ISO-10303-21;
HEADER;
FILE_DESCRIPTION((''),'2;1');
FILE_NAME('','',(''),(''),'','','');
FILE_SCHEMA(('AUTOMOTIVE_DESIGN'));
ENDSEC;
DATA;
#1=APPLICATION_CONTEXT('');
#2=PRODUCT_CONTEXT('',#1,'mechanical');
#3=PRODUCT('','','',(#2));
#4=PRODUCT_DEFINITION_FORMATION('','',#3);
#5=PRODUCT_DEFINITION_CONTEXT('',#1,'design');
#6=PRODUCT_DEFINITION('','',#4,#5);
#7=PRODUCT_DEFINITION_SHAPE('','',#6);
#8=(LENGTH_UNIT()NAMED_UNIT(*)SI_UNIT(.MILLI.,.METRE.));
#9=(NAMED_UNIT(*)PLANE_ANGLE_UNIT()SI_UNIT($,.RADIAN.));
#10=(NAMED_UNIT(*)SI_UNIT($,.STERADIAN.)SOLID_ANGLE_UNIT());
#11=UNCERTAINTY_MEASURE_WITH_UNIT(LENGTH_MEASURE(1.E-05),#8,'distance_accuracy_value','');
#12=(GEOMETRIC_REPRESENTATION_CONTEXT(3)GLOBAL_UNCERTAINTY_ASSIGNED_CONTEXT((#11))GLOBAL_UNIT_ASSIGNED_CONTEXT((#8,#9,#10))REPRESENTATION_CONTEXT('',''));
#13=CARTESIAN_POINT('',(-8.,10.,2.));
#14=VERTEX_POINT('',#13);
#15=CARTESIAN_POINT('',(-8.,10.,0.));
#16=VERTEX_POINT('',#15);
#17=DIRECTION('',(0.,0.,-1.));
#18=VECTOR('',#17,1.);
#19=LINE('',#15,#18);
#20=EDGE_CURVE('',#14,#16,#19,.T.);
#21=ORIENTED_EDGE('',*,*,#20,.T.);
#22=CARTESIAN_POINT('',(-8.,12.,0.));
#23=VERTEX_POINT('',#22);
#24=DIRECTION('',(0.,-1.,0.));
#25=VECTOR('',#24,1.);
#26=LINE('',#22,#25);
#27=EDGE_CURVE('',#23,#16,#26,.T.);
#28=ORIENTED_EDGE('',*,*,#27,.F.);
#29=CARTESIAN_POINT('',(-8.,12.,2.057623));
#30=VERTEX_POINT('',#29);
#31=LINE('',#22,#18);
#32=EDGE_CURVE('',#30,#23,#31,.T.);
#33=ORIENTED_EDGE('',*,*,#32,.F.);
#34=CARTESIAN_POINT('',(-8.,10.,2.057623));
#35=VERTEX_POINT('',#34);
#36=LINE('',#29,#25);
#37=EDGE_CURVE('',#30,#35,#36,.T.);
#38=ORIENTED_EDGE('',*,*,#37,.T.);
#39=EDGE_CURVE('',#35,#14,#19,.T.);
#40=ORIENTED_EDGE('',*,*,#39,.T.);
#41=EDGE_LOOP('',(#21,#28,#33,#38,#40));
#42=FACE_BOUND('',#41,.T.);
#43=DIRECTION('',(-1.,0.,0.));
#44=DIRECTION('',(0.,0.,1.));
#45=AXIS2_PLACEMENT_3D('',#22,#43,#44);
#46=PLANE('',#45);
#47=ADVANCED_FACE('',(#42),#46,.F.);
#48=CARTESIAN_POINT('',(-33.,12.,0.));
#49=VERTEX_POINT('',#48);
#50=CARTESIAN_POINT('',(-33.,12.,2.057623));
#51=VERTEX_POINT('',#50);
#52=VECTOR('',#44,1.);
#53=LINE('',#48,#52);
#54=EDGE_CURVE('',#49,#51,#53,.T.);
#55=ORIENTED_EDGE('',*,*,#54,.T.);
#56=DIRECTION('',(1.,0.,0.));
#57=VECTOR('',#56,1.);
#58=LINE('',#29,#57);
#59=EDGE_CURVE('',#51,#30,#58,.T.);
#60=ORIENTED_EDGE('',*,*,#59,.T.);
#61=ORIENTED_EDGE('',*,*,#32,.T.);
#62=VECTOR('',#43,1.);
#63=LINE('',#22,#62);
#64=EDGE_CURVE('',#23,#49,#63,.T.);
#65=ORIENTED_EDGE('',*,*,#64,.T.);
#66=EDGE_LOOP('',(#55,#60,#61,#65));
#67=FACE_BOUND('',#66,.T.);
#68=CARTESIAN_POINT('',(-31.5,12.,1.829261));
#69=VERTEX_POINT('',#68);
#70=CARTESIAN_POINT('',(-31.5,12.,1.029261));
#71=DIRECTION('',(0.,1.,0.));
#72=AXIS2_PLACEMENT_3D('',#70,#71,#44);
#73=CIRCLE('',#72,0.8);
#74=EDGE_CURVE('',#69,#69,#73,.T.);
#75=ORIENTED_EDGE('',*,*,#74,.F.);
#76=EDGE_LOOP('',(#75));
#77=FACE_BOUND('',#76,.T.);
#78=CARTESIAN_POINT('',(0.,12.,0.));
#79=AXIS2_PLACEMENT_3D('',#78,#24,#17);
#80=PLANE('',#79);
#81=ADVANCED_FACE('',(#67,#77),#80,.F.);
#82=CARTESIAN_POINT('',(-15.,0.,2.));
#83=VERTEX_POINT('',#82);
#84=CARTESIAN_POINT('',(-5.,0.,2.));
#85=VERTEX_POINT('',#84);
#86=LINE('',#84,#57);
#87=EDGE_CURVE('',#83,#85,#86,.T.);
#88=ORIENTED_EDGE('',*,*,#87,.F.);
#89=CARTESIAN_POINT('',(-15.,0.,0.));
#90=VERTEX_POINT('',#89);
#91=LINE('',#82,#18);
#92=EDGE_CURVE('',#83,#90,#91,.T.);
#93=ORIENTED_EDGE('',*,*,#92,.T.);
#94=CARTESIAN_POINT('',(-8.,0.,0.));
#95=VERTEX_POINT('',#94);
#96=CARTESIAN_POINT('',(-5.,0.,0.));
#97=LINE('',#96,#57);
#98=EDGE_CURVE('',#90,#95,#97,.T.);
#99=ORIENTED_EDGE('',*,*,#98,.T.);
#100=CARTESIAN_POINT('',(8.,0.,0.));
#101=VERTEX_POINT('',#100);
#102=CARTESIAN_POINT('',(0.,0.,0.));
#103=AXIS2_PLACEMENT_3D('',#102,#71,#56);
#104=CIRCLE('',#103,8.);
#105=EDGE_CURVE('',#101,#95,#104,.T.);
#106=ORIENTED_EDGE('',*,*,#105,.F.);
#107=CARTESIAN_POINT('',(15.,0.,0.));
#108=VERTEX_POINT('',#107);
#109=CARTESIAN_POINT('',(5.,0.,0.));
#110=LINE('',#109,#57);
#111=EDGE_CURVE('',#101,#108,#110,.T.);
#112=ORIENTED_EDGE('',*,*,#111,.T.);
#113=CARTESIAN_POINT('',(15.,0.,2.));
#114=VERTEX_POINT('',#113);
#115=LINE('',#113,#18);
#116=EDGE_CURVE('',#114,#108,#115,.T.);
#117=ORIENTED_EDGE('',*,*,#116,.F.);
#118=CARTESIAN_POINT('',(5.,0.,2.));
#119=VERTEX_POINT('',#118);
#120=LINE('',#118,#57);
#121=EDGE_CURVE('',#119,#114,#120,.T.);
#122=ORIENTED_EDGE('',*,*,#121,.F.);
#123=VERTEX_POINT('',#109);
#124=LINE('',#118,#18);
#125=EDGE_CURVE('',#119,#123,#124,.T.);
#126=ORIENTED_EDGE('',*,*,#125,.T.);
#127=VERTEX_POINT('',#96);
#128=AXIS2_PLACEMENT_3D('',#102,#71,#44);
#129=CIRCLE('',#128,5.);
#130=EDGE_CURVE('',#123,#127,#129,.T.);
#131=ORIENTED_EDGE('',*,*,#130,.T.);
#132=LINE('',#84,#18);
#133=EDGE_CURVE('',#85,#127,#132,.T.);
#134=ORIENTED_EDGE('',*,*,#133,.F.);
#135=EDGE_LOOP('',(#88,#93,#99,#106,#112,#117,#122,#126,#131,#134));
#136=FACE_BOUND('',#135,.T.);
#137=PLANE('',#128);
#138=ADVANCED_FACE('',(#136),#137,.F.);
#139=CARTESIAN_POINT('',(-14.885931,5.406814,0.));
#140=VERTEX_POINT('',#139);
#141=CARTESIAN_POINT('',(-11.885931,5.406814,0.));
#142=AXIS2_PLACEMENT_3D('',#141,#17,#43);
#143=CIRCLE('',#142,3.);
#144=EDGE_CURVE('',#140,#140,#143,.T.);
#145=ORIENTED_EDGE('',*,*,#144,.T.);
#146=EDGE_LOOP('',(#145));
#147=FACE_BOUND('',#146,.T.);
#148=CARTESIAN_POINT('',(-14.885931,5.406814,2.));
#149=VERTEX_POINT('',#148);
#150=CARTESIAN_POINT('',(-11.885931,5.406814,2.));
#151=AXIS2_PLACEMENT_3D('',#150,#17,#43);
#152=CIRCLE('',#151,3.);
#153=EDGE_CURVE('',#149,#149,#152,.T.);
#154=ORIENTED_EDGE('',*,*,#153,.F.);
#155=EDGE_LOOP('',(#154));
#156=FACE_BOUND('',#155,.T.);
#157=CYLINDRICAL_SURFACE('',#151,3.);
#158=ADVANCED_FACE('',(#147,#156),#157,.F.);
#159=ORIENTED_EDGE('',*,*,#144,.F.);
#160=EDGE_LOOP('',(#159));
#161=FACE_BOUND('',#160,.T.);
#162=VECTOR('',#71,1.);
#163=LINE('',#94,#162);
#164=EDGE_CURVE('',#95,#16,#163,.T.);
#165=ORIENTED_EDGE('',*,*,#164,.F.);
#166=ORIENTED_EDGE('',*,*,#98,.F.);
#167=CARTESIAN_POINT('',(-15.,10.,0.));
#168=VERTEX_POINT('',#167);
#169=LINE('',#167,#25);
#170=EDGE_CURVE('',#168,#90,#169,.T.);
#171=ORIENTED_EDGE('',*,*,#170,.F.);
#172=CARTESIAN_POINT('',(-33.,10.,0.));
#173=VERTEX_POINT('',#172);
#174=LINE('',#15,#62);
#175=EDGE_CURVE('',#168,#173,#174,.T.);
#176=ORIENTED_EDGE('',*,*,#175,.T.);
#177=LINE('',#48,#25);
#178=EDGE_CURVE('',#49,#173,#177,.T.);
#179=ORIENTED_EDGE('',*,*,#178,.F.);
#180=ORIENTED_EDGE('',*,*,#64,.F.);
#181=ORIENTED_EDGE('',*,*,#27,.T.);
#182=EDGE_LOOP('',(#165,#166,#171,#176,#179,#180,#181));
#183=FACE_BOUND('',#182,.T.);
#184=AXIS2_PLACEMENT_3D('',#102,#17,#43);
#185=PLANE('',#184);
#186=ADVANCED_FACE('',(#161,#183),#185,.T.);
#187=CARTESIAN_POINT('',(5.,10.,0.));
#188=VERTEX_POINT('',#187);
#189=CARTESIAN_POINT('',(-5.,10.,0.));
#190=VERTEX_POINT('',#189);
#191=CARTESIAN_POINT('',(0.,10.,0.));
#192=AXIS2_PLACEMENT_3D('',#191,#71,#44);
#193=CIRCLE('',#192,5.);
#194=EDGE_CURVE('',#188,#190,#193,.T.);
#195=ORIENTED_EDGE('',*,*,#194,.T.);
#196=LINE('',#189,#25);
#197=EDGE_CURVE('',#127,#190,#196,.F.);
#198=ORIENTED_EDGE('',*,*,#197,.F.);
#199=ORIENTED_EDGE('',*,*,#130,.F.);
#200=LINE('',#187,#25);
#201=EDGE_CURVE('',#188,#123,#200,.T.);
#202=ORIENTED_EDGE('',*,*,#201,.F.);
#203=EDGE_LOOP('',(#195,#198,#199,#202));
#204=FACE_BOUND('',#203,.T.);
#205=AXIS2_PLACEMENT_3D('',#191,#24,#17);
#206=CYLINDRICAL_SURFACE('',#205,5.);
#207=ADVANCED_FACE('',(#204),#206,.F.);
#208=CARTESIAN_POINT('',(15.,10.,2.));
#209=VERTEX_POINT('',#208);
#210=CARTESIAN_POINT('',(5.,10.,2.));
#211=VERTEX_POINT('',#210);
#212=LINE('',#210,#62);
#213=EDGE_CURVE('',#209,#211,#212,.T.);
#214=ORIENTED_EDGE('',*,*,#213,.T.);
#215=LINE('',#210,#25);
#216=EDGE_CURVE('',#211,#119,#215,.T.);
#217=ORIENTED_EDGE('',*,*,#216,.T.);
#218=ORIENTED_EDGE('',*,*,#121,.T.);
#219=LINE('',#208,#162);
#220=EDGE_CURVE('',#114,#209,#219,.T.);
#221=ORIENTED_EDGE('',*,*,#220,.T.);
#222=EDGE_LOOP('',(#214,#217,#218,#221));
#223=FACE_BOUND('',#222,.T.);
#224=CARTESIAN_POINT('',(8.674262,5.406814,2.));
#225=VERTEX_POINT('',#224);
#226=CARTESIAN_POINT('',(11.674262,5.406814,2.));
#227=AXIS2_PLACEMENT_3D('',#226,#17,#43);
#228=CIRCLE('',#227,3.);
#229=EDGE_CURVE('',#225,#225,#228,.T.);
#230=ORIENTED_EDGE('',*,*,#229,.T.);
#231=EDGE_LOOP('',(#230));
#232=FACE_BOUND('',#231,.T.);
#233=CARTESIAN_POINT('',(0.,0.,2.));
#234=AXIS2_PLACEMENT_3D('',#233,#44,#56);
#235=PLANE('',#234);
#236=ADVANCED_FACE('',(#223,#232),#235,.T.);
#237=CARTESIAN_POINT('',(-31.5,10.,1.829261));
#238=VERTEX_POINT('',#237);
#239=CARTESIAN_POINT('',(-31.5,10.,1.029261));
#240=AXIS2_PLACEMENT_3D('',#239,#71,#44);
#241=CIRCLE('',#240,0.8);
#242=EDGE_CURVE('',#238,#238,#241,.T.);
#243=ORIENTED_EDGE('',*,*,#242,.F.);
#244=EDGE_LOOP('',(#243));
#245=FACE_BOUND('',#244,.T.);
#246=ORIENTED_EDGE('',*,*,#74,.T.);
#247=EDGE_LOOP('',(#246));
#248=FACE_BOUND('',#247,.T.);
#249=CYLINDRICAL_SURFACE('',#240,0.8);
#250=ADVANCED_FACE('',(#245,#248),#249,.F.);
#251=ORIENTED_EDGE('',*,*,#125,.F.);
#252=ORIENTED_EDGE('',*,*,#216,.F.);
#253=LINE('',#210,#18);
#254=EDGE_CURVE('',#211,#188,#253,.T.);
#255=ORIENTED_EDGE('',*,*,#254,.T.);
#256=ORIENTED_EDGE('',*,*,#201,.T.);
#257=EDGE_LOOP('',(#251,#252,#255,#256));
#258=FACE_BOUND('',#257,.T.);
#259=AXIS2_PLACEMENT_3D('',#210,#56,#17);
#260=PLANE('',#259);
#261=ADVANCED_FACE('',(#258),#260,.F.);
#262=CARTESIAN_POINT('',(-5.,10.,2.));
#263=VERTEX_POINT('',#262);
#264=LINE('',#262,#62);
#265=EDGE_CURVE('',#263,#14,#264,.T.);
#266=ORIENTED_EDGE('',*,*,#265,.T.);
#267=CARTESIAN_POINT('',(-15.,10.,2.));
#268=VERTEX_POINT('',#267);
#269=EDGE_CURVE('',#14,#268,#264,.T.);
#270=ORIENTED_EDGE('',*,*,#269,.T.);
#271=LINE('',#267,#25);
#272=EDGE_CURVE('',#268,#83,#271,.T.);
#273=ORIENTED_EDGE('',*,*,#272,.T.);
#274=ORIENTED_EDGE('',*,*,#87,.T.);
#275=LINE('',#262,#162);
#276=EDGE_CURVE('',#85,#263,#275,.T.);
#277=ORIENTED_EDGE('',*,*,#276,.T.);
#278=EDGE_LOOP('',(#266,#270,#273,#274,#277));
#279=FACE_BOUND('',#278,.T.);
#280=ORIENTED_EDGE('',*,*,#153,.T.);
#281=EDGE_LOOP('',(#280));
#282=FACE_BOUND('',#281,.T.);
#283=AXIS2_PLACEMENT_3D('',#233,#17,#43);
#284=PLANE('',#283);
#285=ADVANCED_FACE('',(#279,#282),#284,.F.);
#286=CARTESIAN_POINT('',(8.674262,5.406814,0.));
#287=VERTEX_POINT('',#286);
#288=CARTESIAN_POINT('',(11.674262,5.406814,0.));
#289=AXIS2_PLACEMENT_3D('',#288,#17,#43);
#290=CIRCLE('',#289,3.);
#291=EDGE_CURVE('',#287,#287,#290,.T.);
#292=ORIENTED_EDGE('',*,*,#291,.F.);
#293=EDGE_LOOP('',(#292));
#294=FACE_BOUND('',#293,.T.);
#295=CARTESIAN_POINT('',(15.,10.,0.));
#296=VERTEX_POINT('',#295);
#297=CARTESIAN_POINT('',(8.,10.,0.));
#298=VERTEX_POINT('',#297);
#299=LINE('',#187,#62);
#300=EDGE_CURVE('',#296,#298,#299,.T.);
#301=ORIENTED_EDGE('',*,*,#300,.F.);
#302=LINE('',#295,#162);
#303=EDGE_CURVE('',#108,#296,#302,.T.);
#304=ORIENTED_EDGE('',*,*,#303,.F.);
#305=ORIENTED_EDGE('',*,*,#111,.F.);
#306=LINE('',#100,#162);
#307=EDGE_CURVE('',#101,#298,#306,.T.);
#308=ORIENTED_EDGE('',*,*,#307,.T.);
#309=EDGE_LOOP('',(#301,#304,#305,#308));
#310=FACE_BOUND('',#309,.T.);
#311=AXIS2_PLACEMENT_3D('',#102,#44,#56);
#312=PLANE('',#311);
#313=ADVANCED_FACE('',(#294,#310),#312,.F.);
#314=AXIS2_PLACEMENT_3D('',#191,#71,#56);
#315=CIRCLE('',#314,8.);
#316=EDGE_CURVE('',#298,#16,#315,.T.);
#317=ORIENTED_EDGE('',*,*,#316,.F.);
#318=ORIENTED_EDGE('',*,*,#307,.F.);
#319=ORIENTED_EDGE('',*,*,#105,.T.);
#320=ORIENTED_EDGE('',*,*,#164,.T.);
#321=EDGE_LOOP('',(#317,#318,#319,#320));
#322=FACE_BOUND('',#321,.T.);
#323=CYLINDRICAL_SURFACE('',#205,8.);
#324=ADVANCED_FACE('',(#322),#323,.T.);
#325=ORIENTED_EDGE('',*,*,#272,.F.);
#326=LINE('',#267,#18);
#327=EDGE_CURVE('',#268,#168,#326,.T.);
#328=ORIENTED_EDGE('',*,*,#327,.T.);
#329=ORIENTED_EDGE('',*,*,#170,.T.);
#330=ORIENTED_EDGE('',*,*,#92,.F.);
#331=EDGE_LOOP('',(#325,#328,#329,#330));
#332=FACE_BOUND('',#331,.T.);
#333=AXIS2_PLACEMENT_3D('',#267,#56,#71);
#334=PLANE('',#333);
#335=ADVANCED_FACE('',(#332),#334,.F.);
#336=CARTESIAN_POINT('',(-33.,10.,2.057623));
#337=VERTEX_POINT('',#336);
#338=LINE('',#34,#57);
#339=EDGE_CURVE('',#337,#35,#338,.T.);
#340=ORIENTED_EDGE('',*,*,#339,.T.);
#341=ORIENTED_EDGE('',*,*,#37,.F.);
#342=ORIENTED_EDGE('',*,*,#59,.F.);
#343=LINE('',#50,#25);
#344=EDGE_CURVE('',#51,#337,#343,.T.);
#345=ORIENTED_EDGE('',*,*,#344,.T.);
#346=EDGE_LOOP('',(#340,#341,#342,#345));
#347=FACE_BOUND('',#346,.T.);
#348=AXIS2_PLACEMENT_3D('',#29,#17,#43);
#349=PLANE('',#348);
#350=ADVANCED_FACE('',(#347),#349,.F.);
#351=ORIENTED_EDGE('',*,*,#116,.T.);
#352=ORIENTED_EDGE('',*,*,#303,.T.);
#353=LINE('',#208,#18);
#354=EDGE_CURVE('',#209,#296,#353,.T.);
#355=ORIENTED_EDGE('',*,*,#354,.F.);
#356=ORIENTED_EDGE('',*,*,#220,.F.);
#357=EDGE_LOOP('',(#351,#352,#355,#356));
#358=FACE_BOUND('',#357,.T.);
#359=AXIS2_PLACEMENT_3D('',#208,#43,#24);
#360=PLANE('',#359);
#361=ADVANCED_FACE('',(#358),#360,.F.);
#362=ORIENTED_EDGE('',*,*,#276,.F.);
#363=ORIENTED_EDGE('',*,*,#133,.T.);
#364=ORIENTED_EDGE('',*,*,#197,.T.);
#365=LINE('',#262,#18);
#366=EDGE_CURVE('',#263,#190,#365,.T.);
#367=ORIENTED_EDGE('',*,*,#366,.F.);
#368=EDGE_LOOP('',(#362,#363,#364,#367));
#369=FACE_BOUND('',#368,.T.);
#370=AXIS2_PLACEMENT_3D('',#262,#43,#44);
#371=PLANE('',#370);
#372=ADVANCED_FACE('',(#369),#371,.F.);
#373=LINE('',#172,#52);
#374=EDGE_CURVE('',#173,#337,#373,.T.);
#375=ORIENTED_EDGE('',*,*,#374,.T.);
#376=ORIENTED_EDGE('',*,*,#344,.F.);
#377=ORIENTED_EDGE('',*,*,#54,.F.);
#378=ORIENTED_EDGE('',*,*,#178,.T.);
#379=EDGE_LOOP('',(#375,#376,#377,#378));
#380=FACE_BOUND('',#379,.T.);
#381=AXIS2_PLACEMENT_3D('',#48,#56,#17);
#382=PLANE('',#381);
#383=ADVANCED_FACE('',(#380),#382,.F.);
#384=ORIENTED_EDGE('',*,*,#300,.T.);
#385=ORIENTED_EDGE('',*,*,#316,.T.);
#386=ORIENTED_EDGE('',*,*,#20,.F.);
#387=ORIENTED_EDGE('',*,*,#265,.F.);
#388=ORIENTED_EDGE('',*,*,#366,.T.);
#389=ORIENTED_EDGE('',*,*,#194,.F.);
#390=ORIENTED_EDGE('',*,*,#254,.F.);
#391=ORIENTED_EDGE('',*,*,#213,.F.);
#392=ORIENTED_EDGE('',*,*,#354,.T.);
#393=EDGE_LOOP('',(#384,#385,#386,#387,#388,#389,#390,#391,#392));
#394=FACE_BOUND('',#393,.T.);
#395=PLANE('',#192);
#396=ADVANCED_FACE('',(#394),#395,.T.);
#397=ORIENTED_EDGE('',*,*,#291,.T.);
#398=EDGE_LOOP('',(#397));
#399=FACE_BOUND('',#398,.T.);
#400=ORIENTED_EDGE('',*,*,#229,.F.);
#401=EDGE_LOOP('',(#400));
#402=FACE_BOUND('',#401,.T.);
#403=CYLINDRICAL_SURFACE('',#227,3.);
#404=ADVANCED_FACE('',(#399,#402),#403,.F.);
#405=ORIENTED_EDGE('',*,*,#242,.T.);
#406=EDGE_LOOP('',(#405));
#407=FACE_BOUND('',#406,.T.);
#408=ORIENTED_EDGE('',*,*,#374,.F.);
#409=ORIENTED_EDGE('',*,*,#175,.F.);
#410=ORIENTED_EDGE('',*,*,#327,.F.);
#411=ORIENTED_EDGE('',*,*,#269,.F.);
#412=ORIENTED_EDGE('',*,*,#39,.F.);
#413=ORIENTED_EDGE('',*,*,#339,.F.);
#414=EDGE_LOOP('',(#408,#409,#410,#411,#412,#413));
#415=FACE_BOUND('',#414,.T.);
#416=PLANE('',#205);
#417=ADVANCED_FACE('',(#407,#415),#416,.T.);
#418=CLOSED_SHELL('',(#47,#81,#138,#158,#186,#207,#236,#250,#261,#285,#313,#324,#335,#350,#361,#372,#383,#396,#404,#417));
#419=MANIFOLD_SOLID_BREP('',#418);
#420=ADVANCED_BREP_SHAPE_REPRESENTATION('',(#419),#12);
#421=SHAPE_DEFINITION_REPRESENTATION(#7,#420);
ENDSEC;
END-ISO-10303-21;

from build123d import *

# Parameters (mm, degrees)
SKETCH2_R           = 8
SKETCH2_R_2         = 5
EXTRUDE_THIN1_DEPTH = 10
CUT_EXTRUDE1_DEPTH  = 10
SKETCH4_W           = 10
SKETCH4_H           = 10
BOSS_EXTRUDE1_DEPTH = 2
SKETCH5_R           = 3
CUT_EXTRUDE2_DEPTH  = 2
SKETCH6_W           = 25
SKETCH6_H           = 2.057623051
BOSS_EXTRUDE2_DEPTH = 2
SKETCH7_R           = 0.8
CUT_EXTRUDE3_DEPTH  = 2


with BuildPart() as part:
    # Sketch2 → Extrude-Thin1 (new body)
    with BuildSketch(Plane(origin=(0, 0, 0), x_dir=(1, 0, 0), z_dir=(0, 1, 0))):
        Circle(SKETCH2_R)
        Circle(SKETCH2_R_2, mode=Mode.SUBTRACT)
    extrude(amount=EXTRUDE_THIN1_DEPTH)

    # Sketch3 → Cut-Extrude1 (cut)
    with BuildSketch(Plane(origin=(0, 10, 0), x_dir=(1, 0, 0), z_dir=(0, 1, 0))):
        with BuildLine():
            Line((-8, 0), (8, 0))
            ThreePointArc((8, 0), (0, -8), (-8, 0))
        make_face()
    extrude(amount=-CUT_EXTRUDE1_DEPTH, mode=Mode.SUBTRACT)

    # Sketch4 → Boss-Extrude1 (add)
    with BuildSketch(Plane.XY):
        with Locations((10, 5)):
            Rectangle(SKETCH4_W, SKETCH4_H)
        with Locations((-10, 5)):
            Rectangle(SKETCH4_W, SKETCH4_H)
    extrude(amount=BOSS_EXTRUDE1_DEPTH)

    # Sketch5 → Cut-Extrude2 (cut)
    with BuildSketch(Plane(origin=(0, 0, 0), x_dir=(-1, 0, 0), z_dir=(0, 0, -1))):
        with Locations((-11.674262076, 5.406814048)):
            Circle(SKETCH5_R)
        with Locations((11.885931395, 5.406814048)):
            Circle(SKETCH5_R)
    extrude(amount=-CUT_EXTRUDE2_DEPTH, mode=Mode.SUBTRACT)

    # Sketch6 → Boss-Extrude2 (add)
    with BuildSketch(Plane(origin=(0, 10, 0), x_dir=(1, 0, 0), z_dir=(0, 1, 0))):
        with Locations((-20.5, -1.028811526)):
            Rectangle(SKETCH6_W, SKETCH6_H)
    extrude(amount=BOSS_EXTRUDE2_DEPTH)

    # Sketch7 → Cut-Extrude3 (cut)
    with BuildSketch(Plane(origin=(0, 12, 0), x_dir=(1, 0, 0), z_dir=(0, 1, 0))):
        with Locations((-31.5, -1.029261487)):
            Circle(SKETCH7_R)
    extrude(amount=-CUT_EXTRUDE3_DEPTH, mode=Mode.SUBTRACT)


solid = part.part
